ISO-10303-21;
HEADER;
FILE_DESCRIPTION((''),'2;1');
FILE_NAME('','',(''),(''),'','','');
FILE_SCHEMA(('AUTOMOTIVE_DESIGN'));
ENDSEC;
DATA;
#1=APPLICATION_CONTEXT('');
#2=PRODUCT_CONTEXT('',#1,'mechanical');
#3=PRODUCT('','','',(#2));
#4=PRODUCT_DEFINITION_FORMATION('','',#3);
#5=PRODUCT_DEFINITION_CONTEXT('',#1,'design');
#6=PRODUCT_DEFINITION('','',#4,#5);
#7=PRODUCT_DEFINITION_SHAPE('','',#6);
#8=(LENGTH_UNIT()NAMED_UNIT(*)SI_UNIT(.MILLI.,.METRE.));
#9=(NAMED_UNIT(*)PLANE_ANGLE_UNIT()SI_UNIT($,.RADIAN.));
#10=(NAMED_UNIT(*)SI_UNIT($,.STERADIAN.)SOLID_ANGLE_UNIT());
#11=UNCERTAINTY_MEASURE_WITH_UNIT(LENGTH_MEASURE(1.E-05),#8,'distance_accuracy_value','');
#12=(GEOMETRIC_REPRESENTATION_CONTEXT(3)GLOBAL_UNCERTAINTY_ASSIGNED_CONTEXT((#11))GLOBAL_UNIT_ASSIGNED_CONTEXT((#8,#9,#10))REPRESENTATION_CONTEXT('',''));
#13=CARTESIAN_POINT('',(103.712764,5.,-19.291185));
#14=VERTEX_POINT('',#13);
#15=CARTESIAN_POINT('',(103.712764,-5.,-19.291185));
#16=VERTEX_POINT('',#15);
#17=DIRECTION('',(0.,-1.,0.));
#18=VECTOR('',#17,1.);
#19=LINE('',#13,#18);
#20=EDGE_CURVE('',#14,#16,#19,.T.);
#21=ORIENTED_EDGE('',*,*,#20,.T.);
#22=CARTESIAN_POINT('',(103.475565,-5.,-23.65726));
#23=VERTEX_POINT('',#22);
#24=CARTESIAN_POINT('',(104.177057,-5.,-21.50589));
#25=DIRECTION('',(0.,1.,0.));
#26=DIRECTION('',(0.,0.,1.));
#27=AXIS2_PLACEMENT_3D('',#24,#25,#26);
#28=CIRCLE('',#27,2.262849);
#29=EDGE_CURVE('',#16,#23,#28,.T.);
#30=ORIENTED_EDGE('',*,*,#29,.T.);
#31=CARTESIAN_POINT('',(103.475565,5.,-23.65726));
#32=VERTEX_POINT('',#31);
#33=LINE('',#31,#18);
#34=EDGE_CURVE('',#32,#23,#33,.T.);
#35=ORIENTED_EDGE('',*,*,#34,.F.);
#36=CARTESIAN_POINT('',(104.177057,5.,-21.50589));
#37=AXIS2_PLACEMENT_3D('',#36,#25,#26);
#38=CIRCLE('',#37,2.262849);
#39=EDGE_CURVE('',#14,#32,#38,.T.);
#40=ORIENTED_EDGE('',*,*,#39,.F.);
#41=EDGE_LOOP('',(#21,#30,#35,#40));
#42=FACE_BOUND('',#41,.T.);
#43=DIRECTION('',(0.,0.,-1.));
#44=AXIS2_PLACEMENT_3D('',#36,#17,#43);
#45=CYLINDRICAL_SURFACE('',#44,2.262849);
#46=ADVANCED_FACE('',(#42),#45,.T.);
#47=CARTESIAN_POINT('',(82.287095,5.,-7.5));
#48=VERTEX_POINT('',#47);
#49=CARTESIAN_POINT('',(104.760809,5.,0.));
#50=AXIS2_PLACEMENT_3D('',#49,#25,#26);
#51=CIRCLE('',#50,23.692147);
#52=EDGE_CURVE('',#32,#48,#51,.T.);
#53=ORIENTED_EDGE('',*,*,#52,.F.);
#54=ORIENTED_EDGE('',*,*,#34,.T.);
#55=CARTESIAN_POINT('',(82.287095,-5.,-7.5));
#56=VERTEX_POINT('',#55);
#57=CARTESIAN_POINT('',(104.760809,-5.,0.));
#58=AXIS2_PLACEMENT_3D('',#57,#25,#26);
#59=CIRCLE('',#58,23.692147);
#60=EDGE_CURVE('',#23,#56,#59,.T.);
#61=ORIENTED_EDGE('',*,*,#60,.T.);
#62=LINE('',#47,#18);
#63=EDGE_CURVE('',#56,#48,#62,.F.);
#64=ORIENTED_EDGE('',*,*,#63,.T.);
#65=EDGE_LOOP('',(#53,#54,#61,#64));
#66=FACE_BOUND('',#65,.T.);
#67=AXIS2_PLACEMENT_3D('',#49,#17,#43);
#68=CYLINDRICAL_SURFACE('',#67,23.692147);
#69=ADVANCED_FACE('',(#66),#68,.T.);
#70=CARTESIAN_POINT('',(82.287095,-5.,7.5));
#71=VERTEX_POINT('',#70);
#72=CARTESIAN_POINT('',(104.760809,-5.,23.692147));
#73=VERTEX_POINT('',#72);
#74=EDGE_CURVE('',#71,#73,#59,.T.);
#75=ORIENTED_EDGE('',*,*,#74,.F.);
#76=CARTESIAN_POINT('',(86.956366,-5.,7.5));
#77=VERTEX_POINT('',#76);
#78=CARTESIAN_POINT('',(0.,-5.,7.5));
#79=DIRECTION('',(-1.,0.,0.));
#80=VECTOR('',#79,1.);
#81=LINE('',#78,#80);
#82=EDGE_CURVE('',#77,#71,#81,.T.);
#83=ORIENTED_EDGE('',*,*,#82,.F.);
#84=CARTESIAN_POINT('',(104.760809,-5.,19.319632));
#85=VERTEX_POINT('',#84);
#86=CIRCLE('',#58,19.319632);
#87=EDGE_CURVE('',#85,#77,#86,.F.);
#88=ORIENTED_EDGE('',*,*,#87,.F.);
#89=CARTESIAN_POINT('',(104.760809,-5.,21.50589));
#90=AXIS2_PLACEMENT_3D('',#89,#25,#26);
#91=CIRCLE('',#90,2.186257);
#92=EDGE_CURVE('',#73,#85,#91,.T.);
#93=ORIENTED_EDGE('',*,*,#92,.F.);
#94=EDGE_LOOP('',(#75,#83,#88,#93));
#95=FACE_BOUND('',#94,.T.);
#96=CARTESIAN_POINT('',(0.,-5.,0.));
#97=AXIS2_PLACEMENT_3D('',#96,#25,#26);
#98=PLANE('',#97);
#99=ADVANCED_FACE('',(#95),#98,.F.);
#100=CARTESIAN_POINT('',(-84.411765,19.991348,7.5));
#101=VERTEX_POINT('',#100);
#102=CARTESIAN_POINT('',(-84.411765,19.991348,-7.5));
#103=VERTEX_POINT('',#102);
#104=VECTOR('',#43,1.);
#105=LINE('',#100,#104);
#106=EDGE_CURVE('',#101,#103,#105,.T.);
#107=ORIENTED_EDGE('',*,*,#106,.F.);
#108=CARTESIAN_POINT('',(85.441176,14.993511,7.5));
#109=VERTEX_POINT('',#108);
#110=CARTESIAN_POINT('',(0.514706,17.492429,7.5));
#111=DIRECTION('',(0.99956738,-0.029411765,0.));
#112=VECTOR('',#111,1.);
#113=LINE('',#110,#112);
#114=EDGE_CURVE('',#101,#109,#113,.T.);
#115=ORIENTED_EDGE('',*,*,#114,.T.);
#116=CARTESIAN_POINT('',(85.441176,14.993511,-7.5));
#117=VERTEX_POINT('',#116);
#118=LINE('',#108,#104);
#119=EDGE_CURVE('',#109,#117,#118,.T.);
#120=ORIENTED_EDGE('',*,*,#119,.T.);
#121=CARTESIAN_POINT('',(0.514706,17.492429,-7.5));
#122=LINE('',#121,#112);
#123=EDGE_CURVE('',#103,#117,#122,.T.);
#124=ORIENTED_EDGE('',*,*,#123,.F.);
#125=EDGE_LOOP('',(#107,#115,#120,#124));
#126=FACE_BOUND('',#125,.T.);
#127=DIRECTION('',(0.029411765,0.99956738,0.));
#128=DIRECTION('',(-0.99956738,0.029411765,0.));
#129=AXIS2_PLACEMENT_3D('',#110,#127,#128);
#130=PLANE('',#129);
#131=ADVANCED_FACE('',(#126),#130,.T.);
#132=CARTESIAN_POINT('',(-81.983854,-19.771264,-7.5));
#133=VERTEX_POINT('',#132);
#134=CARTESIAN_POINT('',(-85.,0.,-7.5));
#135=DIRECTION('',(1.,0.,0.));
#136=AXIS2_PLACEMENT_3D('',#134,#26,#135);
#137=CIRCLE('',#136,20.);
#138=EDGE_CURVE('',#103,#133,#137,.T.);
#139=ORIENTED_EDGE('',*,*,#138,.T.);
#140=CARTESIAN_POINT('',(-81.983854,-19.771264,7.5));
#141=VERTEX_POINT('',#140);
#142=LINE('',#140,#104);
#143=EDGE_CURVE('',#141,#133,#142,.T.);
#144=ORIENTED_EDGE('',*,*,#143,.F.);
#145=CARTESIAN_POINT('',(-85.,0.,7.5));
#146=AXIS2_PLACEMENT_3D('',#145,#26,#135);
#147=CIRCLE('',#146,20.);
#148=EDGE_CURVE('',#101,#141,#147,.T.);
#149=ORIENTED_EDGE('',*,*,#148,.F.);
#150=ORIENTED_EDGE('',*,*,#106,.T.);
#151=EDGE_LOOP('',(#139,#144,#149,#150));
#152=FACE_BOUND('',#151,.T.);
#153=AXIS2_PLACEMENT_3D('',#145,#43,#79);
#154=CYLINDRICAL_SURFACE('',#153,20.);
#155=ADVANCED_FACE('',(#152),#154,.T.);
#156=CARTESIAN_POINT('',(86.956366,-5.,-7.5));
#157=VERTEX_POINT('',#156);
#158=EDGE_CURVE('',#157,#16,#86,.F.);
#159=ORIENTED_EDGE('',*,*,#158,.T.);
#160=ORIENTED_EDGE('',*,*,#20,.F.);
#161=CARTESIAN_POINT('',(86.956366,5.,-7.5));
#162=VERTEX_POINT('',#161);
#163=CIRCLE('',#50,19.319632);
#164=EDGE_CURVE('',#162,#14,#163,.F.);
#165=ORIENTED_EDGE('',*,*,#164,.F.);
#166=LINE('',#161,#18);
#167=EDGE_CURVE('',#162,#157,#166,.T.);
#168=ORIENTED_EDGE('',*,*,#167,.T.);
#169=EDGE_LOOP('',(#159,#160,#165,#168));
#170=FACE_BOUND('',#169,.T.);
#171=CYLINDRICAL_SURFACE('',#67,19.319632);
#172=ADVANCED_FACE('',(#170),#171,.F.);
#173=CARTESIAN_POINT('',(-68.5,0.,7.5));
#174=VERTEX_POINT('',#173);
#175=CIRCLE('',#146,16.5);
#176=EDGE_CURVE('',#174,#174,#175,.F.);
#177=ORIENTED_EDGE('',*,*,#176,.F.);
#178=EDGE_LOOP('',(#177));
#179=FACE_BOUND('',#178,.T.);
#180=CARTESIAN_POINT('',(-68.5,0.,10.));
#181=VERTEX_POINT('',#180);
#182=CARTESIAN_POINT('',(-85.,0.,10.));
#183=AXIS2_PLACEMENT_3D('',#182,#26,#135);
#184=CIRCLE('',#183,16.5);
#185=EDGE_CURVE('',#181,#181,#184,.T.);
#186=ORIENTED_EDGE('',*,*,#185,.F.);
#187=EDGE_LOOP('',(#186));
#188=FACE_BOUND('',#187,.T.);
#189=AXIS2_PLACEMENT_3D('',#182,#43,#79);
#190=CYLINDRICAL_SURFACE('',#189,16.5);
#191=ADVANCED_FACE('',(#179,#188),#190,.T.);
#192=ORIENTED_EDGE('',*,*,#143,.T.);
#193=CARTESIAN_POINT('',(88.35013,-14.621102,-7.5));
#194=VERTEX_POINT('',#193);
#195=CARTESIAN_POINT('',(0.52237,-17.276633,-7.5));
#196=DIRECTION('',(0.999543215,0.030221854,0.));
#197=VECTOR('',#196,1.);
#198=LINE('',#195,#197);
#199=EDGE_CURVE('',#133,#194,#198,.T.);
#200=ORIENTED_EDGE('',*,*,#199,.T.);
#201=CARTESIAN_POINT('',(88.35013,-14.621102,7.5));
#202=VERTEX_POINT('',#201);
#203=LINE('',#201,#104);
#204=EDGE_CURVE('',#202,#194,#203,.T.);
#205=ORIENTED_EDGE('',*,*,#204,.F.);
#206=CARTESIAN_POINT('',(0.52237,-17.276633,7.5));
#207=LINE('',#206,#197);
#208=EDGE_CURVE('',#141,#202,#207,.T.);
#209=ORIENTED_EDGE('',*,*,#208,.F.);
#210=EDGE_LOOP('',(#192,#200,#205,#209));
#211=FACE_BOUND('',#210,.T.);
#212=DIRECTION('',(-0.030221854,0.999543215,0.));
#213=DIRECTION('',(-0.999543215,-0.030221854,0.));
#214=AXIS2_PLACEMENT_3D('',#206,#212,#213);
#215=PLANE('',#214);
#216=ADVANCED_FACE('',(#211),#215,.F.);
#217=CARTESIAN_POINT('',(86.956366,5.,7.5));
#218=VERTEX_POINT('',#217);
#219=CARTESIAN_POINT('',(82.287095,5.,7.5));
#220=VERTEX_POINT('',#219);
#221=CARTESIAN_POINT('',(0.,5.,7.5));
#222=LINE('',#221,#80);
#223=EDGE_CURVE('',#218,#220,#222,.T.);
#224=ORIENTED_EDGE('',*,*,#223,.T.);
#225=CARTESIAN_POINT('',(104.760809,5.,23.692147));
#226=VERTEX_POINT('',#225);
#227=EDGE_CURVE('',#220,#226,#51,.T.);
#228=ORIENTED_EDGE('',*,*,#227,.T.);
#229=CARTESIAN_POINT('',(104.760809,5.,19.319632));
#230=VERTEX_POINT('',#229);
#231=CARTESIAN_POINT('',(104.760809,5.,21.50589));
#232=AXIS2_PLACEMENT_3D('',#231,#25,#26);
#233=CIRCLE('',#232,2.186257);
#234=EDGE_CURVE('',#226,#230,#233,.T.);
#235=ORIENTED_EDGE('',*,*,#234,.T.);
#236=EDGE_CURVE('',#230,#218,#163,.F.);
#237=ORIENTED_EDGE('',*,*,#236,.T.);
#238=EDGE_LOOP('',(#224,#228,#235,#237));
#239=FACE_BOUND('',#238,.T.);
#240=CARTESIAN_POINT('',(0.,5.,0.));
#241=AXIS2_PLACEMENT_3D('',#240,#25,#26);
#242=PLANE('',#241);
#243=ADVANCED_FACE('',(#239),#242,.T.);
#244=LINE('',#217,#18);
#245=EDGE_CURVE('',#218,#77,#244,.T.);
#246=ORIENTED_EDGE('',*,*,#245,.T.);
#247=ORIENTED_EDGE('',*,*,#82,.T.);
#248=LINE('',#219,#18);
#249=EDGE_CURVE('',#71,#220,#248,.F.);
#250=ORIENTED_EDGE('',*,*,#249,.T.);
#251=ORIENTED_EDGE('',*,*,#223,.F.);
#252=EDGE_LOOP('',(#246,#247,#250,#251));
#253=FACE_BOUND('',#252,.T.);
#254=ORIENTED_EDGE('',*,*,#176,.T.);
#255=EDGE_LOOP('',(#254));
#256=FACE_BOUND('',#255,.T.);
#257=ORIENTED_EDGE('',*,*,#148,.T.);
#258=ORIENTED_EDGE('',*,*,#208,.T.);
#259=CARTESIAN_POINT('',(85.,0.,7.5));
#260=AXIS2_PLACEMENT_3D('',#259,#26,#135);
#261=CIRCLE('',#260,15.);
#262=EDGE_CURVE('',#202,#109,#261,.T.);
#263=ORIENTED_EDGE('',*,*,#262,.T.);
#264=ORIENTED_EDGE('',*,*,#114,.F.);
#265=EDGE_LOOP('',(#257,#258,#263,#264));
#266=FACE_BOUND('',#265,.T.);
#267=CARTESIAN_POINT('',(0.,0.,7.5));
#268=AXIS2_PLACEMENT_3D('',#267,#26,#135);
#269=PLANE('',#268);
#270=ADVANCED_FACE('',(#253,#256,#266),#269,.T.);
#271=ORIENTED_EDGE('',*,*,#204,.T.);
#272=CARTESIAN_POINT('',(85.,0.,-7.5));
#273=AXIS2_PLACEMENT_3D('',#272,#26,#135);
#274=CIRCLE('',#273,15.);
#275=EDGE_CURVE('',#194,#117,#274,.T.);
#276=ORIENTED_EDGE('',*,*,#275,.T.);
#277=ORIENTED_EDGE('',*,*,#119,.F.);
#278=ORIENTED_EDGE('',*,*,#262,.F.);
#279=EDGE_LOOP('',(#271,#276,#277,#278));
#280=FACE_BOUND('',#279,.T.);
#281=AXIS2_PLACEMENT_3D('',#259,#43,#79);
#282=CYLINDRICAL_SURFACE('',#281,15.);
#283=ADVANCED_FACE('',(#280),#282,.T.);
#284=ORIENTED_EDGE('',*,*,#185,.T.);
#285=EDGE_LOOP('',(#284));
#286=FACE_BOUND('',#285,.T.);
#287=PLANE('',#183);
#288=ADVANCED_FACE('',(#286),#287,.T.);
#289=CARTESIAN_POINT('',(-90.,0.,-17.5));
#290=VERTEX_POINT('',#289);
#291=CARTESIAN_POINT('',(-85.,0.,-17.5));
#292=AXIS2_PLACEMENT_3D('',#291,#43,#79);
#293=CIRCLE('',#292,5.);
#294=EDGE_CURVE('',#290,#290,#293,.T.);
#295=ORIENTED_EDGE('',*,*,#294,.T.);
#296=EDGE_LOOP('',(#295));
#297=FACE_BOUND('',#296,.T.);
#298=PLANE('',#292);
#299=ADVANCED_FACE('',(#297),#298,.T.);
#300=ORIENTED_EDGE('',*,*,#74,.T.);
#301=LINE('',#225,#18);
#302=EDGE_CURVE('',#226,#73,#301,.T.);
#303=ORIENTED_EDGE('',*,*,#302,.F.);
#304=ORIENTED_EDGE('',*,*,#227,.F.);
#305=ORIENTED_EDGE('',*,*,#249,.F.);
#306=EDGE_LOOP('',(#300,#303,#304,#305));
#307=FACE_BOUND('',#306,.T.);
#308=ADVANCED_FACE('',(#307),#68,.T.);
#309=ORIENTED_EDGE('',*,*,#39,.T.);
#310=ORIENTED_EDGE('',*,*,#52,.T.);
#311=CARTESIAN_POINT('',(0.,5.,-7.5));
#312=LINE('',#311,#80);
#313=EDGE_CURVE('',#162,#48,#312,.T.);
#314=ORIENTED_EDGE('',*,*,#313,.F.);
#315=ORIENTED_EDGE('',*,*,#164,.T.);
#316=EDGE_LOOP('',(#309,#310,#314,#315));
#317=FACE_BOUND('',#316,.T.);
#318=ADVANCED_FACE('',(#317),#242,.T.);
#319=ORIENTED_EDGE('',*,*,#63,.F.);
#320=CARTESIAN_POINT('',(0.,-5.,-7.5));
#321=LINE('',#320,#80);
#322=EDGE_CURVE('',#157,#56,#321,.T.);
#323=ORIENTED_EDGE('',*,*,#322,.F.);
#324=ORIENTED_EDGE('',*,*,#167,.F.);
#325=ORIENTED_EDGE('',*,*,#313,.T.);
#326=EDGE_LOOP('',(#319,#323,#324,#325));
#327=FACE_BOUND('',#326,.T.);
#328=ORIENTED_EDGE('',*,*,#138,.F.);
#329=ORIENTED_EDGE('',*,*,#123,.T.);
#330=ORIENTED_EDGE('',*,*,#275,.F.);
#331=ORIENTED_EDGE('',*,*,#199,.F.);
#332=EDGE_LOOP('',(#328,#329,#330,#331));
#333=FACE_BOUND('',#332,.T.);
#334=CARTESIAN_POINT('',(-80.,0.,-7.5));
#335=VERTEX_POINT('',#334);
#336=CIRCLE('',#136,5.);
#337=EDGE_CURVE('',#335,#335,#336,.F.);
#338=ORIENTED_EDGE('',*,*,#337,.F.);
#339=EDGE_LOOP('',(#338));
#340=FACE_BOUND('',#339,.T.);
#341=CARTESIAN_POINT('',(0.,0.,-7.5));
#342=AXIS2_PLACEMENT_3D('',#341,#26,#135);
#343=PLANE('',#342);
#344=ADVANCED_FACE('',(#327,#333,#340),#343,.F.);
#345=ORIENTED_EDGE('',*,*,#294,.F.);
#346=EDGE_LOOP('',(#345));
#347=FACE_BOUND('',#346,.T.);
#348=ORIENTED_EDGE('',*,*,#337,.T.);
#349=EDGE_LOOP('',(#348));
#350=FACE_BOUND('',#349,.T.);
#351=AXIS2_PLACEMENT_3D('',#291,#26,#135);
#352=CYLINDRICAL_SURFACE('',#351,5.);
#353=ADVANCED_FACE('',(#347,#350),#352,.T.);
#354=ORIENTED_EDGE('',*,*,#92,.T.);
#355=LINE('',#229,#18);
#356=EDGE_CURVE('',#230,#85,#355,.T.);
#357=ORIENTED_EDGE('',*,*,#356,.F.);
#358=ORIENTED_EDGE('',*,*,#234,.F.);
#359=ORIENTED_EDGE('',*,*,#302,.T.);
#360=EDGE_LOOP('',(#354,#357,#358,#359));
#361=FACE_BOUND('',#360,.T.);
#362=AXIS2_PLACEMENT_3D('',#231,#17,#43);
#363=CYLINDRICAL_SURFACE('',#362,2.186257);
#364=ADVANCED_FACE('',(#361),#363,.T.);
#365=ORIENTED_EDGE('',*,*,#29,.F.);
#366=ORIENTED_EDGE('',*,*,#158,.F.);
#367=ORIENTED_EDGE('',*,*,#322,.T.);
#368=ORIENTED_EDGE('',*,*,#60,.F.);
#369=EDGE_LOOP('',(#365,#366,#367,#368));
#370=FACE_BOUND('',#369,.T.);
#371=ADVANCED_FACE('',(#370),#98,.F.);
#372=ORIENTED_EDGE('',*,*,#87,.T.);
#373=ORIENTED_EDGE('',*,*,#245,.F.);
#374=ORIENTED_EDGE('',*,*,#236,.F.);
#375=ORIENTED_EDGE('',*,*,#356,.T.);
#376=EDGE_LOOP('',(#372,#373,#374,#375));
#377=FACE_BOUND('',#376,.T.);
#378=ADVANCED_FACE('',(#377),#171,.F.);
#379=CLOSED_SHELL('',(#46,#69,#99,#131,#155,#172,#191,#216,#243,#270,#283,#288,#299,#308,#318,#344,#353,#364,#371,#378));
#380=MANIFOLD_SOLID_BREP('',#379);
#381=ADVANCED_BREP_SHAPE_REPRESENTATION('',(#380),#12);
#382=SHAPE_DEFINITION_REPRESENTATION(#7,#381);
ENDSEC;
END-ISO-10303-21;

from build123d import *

# Parameters (mm, degrees)
BOSS_EXTRUDE1_DEPTH = 7.5
SKETCH3_R           = 16.5
BOSS_EXTRUDE2_DEPTH = 2.5
SKETCH7_R           = 5
BOSS_EXTRUDE3_DEPTH = 10
BOSS_EXTRUDE4_DEPTH = 5


with BuildPart() as part:
    # Sketch1 → Boss-Extrude1 (new body, symmetric)
    with BuildSketch(Plane.XY):
        with BuildLine():
            Line((-81.983854392, -19.771263634), (88.350129521, -14.621102291))
            ThreePointArc((88.350129521, -14.621102291), (99.92815548, 1.466347152), (85.441176471, 14.993510707))
            Line((85.441176471, 14.993510707), (-84.411764706, 19.991347609))
            ThreePointArc((-84.411764706, 19.991347609), (-104.962820533, -1.218932468), (-81.983854392, -19.771263634))
        make_face()
    extrude(amount=BOSS_EXTRUDE1_DEPTH, both=True)

    # Sketch3 → Boss-Extrude2 (add, symmetric)
    with BuildSketch(Plane.XY.offset(7.5)):
        with Locations((-85, 0)):
            Circle(SKETCH3_R)
    extrude(amount=BOSS_EXTRUDE2_DEPTH, both=True)

    # Sketch7 → Boss-Extrude3 (add)
    with BuildSketch(Plane(origin=(0, 0, -7.5), x_dir=(-1, 0, 0), z_dir=(0, 0, -1))):
        with Locations((85, 0)):
            Circle(SKETCH7_R)
    extrude(amount=BOSS_EXTRUDE3_DEPTH)

    # Sketch12 → Boss-Extrude4 (add, symmetric)
    with BuildSketch(Plane(origin=(0, 0, 0), x_dir=(1, 0, 0), z_dir=(0, 1, 0))):
        with BuildLine():
            ThreePointArc((103.475564721, 23.657260108), (81.077385627, -0.642858818), (104.760808967, -23.692146559))
            ThreePointArc((104.760808967, -23.692146559), (106.947065998, -21.505889528), (104.760808967, -19.319632497))
            ThreePointArc((104.760808967, -19.319632497), (85.448289772, -0.524215738), (103.712763513, 19.291184529))
            ThreePointArc((103.712763513, 19.291184529), (106.436573923, 21.628643871), (103.475564721, 23.657260108))
        make_face()
    extrude(amount=BOSS_EXTRUDE4_DEPTH, both=True)


solid = part.part
